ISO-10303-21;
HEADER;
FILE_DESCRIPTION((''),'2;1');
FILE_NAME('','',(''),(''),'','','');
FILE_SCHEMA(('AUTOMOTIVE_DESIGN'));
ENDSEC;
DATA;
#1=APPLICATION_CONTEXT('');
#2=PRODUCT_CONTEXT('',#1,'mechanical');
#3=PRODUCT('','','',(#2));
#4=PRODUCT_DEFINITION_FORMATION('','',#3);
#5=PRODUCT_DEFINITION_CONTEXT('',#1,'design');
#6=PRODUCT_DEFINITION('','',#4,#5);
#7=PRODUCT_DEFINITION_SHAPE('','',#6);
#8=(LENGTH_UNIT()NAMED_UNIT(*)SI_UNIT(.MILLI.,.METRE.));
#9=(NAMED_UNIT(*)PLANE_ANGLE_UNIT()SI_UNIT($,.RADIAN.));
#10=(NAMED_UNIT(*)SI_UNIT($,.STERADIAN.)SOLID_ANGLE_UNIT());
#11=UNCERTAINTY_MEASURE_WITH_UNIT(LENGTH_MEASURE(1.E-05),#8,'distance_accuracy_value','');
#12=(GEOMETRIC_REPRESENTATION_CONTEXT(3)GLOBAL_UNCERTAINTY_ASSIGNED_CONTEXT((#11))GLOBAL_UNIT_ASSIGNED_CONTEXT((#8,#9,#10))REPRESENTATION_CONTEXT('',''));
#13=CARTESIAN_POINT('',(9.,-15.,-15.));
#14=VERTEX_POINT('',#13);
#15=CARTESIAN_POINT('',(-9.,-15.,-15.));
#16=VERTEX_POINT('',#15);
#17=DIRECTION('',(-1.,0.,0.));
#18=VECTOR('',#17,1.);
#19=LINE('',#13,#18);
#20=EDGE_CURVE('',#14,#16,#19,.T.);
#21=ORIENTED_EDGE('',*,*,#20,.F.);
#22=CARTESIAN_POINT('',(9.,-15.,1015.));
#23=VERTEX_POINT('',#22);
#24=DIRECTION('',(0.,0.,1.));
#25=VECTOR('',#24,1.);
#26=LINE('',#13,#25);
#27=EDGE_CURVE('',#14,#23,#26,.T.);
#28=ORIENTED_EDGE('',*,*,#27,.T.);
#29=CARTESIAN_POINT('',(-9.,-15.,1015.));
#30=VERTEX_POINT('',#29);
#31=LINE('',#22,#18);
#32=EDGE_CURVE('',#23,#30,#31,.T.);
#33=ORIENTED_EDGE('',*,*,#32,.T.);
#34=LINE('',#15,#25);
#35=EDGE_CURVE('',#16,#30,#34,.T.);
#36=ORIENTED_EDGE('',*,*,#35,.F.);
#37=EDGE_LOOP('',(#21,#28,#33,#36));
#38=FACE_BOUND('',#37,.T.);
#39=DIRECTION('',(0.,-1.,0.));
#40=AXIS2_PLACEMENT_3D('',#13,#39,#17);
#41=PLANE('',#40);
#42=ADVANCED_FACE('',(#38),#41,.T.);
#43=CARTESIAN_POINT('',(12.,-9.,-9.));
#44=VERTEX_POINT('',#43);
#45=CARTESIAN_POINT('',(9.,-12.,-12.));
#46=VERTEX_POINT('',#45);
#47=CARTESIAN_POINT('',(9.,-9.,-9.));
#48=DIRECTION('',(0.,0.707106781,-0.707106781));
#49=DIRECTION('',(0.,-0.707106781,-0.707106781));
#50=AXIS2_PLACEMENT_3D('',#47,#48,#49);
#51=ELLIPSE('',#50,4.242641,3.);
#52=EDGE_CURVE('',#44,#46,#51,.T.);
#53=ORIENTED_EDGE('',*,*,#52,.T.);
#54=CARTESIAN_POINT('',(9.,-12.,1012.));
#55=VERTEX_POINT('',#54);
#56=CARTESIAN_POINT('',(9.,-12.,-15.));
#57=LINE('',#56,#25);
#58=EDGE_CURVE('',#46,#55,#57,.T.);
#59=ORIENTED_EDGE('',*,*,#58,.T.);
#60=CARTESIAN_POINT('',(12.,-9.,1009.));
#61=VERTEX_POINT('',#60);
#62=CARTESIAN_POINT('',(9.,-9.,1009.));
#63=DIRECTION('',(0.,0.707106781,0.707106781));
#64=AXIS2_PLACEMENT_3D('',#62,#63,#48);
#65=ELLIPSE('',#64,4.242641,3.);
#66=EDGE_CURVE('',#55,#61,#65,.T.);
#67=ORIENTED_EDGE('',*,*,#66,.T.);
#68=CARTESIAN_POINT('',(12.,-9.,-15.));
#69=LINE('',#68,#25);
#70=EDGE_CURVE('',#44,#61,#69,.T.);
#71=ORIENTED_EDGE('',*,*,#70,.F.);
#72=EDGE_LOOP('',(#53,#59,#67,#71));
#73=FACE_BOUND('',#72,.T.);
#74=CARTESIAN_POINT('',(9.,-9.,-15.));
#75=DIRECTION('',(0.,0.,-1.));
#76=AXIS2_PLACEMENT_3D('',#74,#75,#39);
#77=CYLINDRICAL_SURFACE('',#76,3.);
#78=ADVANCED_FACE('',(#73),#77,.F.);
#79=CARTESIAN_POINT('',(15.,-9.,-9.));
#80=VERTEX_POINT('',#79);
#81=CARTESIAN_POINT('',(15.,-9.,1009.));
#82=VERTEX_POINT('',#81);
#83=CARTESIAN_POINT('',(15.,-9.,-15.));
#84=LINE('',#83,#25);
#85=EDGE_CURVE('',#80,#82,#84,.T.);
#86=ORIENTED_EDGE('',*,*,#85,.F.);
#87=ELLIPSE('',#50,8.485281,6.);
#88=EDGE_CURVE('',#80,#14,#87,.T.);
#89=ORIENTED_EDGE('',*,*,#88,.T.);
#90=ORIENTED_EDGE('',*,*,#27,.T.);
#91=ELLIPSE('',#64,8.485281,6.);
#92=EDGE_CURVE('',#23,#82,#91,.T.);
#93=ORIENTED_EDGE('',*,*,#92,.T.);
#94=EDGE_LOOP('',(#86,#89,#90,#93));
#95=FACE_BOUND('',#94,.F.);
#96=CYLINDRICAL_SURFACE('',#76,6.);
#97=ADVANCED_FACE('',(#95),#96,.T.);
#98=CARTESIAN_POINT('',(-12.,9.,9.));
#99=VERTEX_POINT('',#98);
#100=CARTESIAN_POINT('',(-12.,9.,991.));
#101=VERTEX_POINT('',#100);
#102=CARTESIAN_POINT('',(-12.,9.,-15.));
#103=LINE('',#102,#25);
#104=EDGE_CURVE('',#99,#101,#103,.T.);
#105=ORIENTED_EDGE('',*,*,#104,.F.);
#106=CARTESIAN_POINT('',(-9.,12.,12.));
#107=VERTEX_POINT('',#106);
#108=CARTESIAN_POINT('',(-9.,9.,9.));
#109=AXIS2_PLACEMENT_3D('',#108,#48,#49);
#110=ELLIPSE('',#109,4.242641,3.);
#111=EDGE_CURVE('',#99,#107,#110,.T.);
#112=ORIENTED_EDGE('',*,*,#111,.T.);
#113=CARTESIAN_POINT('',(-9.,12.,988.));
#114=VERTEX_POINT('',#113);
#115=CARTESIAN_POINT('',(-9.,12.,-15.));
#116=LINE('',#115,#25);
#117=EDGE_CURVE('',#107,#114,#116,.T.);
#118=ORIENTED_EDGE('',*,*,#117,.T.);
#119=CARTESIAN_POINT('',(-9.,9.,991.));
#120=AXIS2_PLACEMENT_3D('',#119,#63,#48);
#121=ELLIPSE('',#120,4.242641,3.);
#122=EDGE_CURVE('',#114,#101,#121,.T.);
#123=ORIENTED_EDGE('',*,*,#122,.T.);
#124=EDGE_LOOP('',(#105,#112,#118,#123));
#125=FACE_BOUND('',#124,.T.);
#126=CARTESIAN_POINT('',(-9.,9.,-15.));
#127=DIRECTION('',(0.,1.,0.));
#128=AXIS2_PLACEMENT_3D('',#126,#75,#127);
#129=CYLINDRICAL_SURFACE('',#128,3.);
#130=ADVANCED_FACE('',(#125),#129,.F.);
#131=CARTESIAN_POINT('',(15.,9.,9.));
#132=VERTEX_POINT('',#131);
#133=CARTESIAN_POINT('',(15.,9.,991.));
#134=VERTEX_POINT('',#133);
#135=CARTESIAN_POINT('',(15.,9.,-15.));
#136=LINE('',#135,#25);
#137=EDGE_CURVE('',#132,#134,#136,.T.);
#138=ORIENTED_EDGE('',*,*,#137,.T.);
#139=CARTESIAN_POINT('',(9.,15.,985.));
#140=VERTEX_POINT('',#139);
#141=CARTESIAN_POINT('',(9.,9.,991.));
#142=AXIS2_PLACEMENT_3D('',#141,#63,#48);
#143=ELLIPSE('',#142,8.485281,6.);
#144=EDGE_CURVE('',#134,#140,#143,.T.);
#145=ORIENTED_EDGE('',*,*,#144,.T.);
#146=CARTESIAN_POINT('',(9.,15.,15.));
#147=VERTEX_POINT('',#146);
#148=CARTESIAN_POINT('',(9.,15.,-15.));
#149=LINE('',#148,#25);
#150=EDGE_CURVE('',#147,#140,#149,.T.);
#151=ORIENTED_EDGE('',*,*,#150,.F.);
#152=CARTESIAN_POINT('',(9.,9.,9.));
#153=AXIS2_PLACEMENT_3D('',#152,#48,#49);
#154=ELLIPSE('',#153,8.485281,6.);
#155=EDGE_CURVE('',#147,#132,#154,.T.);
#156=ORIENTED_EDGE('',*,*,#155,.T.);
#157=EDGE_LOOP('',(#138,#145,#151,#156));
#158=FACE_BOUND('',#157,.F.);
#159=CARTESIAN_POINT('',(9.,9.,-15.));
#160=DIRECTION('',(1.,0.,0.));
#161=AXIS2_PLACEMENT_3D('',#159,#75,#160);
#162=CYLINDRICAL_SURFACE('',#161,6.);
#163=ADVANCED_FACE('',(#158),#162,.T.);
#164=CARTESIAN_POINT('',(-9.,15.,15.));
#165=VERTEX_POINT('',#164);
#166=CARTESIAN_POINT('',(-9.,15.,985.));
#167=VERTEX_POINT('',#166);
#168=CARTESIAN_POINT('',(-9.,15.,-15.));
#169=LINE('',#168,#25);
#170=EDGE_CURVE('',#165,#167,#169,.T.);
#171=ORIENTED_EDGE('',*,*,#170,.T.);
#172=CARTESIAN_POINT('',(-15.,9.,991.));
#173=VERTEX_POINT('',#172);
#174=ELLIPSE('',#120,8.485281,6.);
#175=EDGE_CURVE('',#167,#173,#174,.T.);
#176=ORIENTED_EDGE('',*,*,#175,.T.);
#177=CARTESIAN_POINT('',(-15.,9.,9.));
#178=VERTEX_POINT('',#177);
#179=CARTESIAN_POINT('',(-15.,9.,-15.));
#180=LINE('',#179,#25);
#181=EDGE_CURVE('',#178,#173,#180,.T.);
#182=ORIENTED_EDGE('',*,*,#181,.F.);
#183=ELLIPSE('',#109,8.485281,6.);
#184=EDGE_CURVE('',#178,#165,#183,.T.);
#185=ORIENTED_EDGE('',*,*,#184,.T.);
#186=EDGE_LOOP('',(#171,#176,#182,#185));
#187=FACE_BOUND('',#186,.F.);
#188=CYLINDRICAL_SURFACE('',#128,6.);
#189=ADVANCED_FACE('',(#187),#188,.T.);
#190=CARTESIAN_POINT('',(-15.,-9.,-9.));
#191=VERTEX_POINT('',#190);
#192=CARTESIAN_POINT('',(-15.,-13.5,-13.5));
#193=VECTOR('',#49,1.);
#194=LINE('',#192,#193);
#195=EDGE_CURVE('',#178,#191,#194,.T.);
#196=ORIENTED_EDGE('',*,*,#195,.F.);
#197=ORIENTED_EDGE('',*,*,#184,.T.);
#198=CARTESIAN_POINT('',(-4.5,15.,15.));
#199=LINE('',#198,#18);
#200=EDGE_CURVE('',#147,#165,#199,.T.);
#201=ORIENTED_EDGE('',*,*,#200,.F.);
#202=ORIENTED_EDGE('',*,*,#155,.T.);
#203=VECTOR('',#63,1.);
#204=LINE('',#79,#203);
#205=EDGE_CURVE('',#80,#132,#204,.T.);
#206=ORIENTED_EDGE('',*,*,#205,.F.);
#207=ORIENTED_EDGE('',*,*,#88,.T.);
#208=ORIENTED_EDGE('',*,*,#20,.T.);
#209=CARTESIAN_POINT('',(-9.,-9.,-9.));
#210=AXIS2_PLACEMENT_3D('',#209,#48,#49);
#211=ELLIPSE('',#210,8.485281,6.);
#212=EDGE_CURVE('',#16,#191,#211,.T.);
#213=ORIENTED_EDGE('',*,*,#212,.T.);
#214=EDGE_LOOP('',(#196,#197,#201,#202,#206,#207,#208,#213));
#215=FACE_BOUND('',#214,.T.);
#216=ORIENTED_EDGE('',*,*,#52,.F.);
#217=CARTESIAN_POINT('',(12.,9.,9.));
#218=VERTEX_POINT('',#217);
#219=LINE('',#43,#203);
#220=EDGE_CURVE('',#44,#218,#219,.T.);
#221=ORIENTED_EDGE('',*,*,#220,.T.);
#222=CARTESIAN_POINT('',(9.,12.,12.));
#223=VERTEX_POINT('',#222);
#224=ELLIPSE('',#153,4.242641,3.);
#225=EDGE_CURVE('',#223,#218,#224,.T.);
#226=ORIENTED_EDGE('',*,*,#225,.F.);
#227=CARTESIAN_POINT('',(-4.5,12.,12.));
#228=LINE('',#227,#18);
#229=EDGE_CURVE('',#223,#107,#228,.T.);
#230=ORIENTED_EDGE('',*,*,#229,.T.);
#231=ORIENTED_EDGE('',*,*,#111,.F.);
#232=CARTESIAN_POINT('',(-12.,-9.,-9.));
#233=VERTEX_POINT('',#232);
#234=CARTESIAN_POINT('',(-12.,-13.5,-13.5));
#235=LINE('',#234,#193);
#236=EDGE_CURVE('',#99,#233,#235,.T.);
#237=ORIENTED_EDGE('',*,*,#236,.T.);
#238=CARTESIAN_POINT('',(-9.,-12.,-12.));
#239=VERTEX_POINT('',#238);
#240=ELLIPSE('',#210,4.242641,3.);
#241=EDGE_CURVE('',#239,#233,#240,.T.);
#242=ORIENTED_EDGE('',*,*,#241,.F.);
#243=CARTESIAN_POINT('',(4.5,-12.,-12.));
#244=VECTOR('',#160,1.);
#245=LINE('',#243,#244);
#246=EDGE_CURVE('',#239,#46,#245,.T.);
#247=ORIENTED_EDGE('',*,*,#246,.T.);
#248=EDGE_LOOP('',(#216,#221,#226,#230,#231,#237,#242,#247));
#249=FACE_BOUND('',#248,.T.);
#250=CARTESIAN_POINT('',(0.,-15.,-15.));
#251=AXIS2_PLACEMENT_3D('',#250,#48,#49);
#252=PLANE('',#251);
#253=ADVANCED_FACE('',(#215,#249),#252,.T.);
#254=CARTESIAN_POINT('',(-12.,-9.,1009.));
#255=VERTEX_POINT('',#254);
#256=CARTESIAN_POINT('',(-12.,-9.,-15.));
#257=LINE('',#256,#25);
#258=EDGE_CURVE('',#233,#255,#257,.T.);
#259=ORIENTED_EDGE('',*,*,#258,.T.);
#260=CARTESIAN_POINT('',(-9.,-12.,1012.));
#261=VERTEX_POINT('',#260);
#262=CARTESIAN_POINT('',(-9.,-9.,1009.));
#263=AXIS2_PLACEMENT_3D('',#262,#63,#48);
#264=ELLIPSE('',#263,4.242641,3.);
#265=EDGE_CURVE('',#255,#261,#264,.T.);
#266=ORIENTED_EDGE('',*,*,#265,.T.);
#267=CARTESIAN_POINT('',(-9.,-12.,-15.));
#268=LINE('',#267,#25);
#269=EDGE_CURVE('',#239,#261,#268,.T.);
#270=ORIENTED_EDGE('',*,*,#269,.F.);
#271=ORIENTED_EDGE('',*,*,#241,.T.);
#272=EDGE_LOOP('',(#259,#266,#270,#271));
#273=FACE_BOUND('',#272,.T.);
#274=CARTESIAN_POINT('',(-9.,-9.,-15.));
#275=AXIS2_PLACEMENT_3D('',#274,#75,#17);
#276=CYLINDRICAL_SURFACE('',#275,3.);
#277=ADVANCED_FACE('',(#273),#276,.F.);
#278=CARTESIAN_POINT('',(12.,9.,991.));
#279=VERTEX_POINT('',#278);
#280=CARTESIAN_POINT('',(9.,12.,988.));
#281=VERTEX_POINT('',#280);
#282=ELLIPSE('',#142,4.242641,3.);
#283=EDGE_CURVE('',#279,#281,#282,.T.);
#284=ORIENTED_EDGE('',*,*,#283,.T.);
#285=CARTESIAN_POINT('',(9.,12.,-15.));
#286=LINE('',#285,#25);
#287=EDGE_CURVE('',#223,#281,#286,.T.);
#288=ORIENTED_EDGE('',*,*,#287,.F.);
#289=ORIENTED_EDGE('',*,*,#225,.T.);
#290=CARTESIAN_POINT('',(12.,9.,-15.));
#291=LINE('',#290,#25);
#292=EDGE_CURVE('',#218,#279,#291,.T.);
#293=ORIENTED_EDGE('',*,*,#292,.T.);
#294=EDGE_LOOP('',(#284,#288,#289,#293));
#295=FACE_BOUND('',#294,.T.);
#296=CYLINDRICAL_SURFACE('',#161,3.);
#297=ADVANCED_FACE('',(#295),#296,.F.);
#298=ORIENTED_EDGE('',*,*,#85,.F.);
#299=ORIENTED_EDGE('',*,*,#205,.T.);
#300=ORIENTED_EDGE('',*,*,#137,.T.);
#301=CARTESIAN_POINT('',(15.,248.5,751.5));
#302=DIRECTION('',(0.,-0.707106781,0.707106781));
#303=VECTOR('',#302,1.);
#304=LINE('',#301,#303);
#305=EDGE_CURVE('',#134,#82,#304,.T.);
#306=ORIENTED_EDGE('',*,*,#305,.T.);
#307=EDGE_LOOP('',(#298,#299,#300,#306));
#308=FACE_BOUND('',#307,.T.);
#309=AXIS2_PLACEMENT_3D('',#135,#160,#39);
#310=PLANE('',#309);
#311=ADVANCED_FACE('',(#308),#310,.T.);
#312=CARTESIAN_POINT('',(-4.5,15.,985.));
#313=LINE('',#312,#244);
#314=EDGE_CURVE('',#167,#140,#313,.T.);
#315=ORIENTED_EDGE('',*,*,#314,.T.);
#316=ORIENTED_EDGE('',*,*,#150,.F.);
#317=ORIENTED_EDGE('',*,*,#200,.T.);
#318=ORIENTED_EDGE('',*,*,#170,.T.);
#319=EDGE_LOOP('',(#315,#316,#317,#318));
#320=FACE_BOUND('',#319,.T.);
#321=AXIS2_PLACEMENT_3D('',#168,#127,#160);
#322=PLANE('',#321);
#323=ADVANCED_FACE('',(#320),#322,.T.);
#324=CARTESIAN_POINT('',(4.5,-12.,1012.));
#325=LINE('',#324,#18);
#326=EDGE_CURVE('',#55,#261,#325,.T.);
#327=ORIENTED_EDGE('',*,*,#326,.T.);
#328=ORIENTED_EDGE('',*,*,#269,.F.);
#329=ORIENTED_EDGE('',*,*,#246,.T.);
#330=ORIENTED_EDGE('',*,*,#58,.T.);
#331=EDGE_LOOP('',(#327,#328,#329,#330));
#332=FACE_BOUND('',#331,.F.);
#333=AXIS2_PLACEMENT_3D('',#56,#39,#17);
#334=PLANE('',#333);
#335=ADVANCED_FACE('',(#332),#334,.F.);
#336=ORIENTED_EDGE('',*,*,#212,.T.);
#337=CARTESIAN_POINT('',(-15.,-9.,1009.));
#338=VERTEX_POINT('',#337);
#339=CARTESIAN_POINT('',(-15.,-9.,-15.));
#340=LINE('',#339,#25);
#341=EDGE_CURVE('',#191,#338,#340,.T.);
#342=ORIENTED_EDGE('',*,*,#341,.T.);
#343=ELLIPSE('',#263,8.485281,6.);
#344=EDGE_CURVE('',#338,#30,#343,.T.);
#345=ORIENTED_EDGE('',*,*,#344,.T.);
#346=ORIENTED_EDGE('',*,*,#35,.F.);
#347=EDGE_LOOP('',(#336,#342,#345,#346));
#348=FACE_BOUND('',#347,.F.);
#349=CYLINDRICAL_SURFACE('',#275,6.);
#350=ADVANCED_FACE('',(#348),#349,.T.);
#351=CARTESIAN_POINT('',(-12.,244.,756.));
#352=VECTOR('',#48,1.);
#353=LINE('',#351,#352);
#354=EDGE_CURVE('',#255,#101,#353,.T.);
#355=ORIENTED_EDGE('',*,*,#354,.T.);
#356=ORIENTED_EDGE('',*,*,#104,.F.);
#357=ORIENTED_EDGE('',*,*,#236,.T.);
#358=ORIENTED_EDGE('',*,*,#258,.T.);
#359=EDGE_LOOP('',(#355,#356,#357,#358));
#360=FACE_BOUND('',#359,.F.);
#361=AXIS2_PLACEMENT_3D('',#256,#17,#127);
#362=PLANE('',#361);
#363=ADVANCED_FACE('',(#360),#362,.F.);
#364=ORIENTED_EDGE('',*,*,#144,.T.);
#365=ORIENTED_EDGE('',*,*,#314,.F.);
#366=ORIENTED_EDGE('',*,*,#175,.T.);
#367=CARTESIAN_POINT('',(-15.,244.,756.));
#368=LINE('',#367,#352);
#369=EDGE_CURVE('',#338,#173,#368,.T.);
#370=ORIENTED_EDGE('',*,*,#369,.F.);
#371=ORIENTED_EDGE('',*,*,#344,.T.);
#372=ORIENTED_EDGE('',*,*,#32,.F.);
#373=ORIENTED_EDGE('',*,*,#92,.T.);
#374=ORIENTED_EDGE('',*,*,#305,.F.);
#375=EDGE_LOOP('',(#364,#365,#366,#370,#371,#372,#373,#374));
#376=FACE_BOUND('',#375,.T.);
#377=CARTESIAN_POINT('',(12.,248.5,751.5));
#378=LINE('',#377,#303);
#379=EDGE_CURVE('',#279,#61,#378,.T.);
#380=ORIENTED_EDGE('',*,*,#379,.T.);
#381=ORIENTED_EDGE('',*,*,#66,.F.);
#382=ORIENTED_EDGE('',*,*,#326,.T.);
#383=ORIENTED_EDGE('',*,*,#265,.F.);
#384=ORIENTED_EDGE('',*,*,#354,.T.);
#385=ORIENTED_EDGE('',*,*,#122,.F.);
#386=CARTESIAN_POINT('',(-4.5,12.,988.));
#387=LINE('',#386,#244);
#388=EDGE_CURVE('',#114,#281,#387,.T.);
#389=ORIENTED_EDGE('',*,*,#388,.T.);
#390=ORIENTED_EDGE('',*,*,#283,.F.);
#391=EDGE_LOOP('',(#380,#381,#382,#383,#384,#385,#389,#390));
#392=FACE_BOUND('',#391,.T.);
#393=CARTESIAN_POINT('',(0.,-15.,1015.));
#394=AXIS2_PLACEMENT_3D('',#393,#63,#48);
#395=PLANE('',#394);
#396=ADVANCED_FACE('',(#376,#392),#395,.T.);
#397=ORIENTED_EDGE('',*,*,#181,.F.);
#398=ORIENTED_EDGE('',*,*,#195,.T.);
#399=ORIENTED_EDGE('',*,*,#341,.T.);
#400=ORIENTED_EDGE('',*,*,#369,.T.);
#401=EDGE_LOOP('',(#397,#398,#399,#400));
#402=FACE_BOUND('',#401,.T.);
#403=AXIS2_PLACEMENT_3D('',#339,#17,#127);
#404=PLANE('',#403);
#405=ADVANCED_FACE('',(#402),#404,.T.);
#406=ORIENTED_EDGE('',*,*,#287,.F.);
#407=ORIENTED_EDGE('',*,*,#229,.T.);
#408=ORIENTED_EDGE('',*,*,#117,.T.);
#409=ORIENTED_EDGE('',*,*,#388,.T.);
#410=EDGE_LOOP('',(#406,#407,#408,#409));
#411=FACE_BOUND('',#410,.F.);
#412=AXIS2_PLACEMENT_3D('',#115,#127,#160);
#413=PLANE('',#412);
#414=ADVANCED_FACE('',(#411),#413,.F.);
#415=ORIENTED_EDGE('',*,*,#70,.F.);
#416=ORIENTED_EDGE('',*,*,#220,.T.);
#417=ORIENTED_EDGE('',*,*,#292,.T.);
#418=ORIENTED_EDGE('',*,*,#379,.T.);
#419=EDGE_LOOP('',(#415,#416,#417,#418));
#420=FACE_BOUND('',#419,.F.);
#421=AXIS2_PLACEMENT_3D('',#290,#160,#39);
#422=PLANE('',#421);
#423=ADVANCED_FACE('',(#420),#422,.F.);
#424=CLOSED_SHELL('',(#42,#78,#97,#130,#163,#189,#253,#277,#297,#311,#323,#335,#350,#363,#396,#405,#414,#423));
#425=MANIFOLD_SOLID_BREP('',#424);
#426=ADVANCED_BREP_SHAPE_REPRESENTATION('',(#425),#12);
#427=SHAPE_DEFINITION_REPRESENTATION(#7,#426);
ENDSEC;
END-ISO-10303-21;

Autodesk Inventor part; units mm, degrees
ref_plane "Start Plane" through (0, 0, -15) normal (0, 0, 1) x (1, 0, 0)
ref_plane "End Plane" through (0, 0, 1015) normal (0, 0, 1) x (1, 0, 0)
sketch "Sketch" plane through (0, 0, 0) normal (0, 0, 1) x (1, 0, 0)
  line L0 (-15, -9) -> (-15, 9)
  line L1 (-9, 15) -> (9, 15)
  line L2 (15, 9) -> (15, -9)
  line L3 (9, -15) -> (-9, -15)
  arc A0 (-15, -9) -> (-9, -15) centre (-9, -9) ccw
  arc A1 (-9, 15) -> (-15, 9) centre (-9, 9) ccw
  arc A2 (15, 9) -> (9, 15) centre (9, 9) ccw
  arc A3 (9, -15) -> (15, -9) centre (9, -9) ccw
  arc A4 (-9, 12) -> (-12, 9) centre (-9, 9) ccw
  line L4 (-9, 12) -> (9, 12)
  arc A5 (12, 9) -> (9, 12) centre (9, 9) ccw
  line L5 (12, 9) -> (12, -9)
  arc A6 (9, -12) -> (12, -9) centre (9, -9) ccw
  line L6 (9, -12) -> (-9, -12)
  arc A7 (-12, -9) -> (-9, -12) centre (-9, -9) ccw
  line L7 (-12, -9) -> (-12, 9)
  line L8 (0, 22.7397) -> (0, -22.7397) construction
  line L9 (-22.7397, 0) -> (22.7397, 0) construction
  dimension "d7" = 6
  dimension "d10" = 30
  dimension "d11" = 30
  dimension "d12" = 3
  dimension "d15" = 15
  dimension "d16" = 15
extrude "Body" add sketch "Sketch" along normal up to surface (1030 mm away) from surface at -15
sketch "Sketch3" plane through (0, 0, 0) normal (0, 0, 1) x (1, 0, 0)
  line L0 (0, 0) -> (10, 0)
ref_plane "Work Plane3" through (0, 0, 0) normal (0, -1, 0) x (1, 0, 0)
ref_plane "Work Plane4" through (0, -15, -15) normal (0, 0.7071, -0.7071) x (1, 0, 0)
split "Split1" plane through (0, -15, -15) removes the side toward (0, 0.7071, -0.7071)
ref_plane "Work Plane5" through (0, -15, 1015) normal (0, 0.7071, 0.7071) x (1, 0, 0)
split "Split2" plane through (0, -15, 1015) removes the side toward (0, 0.7071, 0.7071)
sketch "Sketch4" plane through (0, 0, 0) normal (0, -1, 0) x (1, 0, 0)
  line L0 (-2, -15) -> (12, -15) projected
  line L1 (-2, 1015) -> (12, 1015) projected
  dimension "d18" = 1030
equation "\"d7\" = G_IR"
equation "\"d10\" = G_H"
equation "\"d11\" = G_W"
equation "\"d12\" = G_T"
equation "\"d15\" = 0.5 * d10"
equation "\"d16\" = 0.5 * d11"
equation "\"d3\" = G_L"
equation "\"G_W\" = 30"
equation "\"G_H\" = 30"
equation "\"G_T\" = 3"
equation "\"G_IR\" = 6"
equation "\"G_L\" = d18"
equation "\"G_OFFSET_START\" = 15"
equation "\"G_OFFSET_END\" = 15"
equation "\"d13\" = -G_OFFSET_START"
equation "\"d14\" = G_OFFSET_END + B_L"
equation "\"B_L\" = 1000"
properties part number "DIN EN 10219-2 - 30 x 30 x 3  - 1030" material "Steel, Mild"
